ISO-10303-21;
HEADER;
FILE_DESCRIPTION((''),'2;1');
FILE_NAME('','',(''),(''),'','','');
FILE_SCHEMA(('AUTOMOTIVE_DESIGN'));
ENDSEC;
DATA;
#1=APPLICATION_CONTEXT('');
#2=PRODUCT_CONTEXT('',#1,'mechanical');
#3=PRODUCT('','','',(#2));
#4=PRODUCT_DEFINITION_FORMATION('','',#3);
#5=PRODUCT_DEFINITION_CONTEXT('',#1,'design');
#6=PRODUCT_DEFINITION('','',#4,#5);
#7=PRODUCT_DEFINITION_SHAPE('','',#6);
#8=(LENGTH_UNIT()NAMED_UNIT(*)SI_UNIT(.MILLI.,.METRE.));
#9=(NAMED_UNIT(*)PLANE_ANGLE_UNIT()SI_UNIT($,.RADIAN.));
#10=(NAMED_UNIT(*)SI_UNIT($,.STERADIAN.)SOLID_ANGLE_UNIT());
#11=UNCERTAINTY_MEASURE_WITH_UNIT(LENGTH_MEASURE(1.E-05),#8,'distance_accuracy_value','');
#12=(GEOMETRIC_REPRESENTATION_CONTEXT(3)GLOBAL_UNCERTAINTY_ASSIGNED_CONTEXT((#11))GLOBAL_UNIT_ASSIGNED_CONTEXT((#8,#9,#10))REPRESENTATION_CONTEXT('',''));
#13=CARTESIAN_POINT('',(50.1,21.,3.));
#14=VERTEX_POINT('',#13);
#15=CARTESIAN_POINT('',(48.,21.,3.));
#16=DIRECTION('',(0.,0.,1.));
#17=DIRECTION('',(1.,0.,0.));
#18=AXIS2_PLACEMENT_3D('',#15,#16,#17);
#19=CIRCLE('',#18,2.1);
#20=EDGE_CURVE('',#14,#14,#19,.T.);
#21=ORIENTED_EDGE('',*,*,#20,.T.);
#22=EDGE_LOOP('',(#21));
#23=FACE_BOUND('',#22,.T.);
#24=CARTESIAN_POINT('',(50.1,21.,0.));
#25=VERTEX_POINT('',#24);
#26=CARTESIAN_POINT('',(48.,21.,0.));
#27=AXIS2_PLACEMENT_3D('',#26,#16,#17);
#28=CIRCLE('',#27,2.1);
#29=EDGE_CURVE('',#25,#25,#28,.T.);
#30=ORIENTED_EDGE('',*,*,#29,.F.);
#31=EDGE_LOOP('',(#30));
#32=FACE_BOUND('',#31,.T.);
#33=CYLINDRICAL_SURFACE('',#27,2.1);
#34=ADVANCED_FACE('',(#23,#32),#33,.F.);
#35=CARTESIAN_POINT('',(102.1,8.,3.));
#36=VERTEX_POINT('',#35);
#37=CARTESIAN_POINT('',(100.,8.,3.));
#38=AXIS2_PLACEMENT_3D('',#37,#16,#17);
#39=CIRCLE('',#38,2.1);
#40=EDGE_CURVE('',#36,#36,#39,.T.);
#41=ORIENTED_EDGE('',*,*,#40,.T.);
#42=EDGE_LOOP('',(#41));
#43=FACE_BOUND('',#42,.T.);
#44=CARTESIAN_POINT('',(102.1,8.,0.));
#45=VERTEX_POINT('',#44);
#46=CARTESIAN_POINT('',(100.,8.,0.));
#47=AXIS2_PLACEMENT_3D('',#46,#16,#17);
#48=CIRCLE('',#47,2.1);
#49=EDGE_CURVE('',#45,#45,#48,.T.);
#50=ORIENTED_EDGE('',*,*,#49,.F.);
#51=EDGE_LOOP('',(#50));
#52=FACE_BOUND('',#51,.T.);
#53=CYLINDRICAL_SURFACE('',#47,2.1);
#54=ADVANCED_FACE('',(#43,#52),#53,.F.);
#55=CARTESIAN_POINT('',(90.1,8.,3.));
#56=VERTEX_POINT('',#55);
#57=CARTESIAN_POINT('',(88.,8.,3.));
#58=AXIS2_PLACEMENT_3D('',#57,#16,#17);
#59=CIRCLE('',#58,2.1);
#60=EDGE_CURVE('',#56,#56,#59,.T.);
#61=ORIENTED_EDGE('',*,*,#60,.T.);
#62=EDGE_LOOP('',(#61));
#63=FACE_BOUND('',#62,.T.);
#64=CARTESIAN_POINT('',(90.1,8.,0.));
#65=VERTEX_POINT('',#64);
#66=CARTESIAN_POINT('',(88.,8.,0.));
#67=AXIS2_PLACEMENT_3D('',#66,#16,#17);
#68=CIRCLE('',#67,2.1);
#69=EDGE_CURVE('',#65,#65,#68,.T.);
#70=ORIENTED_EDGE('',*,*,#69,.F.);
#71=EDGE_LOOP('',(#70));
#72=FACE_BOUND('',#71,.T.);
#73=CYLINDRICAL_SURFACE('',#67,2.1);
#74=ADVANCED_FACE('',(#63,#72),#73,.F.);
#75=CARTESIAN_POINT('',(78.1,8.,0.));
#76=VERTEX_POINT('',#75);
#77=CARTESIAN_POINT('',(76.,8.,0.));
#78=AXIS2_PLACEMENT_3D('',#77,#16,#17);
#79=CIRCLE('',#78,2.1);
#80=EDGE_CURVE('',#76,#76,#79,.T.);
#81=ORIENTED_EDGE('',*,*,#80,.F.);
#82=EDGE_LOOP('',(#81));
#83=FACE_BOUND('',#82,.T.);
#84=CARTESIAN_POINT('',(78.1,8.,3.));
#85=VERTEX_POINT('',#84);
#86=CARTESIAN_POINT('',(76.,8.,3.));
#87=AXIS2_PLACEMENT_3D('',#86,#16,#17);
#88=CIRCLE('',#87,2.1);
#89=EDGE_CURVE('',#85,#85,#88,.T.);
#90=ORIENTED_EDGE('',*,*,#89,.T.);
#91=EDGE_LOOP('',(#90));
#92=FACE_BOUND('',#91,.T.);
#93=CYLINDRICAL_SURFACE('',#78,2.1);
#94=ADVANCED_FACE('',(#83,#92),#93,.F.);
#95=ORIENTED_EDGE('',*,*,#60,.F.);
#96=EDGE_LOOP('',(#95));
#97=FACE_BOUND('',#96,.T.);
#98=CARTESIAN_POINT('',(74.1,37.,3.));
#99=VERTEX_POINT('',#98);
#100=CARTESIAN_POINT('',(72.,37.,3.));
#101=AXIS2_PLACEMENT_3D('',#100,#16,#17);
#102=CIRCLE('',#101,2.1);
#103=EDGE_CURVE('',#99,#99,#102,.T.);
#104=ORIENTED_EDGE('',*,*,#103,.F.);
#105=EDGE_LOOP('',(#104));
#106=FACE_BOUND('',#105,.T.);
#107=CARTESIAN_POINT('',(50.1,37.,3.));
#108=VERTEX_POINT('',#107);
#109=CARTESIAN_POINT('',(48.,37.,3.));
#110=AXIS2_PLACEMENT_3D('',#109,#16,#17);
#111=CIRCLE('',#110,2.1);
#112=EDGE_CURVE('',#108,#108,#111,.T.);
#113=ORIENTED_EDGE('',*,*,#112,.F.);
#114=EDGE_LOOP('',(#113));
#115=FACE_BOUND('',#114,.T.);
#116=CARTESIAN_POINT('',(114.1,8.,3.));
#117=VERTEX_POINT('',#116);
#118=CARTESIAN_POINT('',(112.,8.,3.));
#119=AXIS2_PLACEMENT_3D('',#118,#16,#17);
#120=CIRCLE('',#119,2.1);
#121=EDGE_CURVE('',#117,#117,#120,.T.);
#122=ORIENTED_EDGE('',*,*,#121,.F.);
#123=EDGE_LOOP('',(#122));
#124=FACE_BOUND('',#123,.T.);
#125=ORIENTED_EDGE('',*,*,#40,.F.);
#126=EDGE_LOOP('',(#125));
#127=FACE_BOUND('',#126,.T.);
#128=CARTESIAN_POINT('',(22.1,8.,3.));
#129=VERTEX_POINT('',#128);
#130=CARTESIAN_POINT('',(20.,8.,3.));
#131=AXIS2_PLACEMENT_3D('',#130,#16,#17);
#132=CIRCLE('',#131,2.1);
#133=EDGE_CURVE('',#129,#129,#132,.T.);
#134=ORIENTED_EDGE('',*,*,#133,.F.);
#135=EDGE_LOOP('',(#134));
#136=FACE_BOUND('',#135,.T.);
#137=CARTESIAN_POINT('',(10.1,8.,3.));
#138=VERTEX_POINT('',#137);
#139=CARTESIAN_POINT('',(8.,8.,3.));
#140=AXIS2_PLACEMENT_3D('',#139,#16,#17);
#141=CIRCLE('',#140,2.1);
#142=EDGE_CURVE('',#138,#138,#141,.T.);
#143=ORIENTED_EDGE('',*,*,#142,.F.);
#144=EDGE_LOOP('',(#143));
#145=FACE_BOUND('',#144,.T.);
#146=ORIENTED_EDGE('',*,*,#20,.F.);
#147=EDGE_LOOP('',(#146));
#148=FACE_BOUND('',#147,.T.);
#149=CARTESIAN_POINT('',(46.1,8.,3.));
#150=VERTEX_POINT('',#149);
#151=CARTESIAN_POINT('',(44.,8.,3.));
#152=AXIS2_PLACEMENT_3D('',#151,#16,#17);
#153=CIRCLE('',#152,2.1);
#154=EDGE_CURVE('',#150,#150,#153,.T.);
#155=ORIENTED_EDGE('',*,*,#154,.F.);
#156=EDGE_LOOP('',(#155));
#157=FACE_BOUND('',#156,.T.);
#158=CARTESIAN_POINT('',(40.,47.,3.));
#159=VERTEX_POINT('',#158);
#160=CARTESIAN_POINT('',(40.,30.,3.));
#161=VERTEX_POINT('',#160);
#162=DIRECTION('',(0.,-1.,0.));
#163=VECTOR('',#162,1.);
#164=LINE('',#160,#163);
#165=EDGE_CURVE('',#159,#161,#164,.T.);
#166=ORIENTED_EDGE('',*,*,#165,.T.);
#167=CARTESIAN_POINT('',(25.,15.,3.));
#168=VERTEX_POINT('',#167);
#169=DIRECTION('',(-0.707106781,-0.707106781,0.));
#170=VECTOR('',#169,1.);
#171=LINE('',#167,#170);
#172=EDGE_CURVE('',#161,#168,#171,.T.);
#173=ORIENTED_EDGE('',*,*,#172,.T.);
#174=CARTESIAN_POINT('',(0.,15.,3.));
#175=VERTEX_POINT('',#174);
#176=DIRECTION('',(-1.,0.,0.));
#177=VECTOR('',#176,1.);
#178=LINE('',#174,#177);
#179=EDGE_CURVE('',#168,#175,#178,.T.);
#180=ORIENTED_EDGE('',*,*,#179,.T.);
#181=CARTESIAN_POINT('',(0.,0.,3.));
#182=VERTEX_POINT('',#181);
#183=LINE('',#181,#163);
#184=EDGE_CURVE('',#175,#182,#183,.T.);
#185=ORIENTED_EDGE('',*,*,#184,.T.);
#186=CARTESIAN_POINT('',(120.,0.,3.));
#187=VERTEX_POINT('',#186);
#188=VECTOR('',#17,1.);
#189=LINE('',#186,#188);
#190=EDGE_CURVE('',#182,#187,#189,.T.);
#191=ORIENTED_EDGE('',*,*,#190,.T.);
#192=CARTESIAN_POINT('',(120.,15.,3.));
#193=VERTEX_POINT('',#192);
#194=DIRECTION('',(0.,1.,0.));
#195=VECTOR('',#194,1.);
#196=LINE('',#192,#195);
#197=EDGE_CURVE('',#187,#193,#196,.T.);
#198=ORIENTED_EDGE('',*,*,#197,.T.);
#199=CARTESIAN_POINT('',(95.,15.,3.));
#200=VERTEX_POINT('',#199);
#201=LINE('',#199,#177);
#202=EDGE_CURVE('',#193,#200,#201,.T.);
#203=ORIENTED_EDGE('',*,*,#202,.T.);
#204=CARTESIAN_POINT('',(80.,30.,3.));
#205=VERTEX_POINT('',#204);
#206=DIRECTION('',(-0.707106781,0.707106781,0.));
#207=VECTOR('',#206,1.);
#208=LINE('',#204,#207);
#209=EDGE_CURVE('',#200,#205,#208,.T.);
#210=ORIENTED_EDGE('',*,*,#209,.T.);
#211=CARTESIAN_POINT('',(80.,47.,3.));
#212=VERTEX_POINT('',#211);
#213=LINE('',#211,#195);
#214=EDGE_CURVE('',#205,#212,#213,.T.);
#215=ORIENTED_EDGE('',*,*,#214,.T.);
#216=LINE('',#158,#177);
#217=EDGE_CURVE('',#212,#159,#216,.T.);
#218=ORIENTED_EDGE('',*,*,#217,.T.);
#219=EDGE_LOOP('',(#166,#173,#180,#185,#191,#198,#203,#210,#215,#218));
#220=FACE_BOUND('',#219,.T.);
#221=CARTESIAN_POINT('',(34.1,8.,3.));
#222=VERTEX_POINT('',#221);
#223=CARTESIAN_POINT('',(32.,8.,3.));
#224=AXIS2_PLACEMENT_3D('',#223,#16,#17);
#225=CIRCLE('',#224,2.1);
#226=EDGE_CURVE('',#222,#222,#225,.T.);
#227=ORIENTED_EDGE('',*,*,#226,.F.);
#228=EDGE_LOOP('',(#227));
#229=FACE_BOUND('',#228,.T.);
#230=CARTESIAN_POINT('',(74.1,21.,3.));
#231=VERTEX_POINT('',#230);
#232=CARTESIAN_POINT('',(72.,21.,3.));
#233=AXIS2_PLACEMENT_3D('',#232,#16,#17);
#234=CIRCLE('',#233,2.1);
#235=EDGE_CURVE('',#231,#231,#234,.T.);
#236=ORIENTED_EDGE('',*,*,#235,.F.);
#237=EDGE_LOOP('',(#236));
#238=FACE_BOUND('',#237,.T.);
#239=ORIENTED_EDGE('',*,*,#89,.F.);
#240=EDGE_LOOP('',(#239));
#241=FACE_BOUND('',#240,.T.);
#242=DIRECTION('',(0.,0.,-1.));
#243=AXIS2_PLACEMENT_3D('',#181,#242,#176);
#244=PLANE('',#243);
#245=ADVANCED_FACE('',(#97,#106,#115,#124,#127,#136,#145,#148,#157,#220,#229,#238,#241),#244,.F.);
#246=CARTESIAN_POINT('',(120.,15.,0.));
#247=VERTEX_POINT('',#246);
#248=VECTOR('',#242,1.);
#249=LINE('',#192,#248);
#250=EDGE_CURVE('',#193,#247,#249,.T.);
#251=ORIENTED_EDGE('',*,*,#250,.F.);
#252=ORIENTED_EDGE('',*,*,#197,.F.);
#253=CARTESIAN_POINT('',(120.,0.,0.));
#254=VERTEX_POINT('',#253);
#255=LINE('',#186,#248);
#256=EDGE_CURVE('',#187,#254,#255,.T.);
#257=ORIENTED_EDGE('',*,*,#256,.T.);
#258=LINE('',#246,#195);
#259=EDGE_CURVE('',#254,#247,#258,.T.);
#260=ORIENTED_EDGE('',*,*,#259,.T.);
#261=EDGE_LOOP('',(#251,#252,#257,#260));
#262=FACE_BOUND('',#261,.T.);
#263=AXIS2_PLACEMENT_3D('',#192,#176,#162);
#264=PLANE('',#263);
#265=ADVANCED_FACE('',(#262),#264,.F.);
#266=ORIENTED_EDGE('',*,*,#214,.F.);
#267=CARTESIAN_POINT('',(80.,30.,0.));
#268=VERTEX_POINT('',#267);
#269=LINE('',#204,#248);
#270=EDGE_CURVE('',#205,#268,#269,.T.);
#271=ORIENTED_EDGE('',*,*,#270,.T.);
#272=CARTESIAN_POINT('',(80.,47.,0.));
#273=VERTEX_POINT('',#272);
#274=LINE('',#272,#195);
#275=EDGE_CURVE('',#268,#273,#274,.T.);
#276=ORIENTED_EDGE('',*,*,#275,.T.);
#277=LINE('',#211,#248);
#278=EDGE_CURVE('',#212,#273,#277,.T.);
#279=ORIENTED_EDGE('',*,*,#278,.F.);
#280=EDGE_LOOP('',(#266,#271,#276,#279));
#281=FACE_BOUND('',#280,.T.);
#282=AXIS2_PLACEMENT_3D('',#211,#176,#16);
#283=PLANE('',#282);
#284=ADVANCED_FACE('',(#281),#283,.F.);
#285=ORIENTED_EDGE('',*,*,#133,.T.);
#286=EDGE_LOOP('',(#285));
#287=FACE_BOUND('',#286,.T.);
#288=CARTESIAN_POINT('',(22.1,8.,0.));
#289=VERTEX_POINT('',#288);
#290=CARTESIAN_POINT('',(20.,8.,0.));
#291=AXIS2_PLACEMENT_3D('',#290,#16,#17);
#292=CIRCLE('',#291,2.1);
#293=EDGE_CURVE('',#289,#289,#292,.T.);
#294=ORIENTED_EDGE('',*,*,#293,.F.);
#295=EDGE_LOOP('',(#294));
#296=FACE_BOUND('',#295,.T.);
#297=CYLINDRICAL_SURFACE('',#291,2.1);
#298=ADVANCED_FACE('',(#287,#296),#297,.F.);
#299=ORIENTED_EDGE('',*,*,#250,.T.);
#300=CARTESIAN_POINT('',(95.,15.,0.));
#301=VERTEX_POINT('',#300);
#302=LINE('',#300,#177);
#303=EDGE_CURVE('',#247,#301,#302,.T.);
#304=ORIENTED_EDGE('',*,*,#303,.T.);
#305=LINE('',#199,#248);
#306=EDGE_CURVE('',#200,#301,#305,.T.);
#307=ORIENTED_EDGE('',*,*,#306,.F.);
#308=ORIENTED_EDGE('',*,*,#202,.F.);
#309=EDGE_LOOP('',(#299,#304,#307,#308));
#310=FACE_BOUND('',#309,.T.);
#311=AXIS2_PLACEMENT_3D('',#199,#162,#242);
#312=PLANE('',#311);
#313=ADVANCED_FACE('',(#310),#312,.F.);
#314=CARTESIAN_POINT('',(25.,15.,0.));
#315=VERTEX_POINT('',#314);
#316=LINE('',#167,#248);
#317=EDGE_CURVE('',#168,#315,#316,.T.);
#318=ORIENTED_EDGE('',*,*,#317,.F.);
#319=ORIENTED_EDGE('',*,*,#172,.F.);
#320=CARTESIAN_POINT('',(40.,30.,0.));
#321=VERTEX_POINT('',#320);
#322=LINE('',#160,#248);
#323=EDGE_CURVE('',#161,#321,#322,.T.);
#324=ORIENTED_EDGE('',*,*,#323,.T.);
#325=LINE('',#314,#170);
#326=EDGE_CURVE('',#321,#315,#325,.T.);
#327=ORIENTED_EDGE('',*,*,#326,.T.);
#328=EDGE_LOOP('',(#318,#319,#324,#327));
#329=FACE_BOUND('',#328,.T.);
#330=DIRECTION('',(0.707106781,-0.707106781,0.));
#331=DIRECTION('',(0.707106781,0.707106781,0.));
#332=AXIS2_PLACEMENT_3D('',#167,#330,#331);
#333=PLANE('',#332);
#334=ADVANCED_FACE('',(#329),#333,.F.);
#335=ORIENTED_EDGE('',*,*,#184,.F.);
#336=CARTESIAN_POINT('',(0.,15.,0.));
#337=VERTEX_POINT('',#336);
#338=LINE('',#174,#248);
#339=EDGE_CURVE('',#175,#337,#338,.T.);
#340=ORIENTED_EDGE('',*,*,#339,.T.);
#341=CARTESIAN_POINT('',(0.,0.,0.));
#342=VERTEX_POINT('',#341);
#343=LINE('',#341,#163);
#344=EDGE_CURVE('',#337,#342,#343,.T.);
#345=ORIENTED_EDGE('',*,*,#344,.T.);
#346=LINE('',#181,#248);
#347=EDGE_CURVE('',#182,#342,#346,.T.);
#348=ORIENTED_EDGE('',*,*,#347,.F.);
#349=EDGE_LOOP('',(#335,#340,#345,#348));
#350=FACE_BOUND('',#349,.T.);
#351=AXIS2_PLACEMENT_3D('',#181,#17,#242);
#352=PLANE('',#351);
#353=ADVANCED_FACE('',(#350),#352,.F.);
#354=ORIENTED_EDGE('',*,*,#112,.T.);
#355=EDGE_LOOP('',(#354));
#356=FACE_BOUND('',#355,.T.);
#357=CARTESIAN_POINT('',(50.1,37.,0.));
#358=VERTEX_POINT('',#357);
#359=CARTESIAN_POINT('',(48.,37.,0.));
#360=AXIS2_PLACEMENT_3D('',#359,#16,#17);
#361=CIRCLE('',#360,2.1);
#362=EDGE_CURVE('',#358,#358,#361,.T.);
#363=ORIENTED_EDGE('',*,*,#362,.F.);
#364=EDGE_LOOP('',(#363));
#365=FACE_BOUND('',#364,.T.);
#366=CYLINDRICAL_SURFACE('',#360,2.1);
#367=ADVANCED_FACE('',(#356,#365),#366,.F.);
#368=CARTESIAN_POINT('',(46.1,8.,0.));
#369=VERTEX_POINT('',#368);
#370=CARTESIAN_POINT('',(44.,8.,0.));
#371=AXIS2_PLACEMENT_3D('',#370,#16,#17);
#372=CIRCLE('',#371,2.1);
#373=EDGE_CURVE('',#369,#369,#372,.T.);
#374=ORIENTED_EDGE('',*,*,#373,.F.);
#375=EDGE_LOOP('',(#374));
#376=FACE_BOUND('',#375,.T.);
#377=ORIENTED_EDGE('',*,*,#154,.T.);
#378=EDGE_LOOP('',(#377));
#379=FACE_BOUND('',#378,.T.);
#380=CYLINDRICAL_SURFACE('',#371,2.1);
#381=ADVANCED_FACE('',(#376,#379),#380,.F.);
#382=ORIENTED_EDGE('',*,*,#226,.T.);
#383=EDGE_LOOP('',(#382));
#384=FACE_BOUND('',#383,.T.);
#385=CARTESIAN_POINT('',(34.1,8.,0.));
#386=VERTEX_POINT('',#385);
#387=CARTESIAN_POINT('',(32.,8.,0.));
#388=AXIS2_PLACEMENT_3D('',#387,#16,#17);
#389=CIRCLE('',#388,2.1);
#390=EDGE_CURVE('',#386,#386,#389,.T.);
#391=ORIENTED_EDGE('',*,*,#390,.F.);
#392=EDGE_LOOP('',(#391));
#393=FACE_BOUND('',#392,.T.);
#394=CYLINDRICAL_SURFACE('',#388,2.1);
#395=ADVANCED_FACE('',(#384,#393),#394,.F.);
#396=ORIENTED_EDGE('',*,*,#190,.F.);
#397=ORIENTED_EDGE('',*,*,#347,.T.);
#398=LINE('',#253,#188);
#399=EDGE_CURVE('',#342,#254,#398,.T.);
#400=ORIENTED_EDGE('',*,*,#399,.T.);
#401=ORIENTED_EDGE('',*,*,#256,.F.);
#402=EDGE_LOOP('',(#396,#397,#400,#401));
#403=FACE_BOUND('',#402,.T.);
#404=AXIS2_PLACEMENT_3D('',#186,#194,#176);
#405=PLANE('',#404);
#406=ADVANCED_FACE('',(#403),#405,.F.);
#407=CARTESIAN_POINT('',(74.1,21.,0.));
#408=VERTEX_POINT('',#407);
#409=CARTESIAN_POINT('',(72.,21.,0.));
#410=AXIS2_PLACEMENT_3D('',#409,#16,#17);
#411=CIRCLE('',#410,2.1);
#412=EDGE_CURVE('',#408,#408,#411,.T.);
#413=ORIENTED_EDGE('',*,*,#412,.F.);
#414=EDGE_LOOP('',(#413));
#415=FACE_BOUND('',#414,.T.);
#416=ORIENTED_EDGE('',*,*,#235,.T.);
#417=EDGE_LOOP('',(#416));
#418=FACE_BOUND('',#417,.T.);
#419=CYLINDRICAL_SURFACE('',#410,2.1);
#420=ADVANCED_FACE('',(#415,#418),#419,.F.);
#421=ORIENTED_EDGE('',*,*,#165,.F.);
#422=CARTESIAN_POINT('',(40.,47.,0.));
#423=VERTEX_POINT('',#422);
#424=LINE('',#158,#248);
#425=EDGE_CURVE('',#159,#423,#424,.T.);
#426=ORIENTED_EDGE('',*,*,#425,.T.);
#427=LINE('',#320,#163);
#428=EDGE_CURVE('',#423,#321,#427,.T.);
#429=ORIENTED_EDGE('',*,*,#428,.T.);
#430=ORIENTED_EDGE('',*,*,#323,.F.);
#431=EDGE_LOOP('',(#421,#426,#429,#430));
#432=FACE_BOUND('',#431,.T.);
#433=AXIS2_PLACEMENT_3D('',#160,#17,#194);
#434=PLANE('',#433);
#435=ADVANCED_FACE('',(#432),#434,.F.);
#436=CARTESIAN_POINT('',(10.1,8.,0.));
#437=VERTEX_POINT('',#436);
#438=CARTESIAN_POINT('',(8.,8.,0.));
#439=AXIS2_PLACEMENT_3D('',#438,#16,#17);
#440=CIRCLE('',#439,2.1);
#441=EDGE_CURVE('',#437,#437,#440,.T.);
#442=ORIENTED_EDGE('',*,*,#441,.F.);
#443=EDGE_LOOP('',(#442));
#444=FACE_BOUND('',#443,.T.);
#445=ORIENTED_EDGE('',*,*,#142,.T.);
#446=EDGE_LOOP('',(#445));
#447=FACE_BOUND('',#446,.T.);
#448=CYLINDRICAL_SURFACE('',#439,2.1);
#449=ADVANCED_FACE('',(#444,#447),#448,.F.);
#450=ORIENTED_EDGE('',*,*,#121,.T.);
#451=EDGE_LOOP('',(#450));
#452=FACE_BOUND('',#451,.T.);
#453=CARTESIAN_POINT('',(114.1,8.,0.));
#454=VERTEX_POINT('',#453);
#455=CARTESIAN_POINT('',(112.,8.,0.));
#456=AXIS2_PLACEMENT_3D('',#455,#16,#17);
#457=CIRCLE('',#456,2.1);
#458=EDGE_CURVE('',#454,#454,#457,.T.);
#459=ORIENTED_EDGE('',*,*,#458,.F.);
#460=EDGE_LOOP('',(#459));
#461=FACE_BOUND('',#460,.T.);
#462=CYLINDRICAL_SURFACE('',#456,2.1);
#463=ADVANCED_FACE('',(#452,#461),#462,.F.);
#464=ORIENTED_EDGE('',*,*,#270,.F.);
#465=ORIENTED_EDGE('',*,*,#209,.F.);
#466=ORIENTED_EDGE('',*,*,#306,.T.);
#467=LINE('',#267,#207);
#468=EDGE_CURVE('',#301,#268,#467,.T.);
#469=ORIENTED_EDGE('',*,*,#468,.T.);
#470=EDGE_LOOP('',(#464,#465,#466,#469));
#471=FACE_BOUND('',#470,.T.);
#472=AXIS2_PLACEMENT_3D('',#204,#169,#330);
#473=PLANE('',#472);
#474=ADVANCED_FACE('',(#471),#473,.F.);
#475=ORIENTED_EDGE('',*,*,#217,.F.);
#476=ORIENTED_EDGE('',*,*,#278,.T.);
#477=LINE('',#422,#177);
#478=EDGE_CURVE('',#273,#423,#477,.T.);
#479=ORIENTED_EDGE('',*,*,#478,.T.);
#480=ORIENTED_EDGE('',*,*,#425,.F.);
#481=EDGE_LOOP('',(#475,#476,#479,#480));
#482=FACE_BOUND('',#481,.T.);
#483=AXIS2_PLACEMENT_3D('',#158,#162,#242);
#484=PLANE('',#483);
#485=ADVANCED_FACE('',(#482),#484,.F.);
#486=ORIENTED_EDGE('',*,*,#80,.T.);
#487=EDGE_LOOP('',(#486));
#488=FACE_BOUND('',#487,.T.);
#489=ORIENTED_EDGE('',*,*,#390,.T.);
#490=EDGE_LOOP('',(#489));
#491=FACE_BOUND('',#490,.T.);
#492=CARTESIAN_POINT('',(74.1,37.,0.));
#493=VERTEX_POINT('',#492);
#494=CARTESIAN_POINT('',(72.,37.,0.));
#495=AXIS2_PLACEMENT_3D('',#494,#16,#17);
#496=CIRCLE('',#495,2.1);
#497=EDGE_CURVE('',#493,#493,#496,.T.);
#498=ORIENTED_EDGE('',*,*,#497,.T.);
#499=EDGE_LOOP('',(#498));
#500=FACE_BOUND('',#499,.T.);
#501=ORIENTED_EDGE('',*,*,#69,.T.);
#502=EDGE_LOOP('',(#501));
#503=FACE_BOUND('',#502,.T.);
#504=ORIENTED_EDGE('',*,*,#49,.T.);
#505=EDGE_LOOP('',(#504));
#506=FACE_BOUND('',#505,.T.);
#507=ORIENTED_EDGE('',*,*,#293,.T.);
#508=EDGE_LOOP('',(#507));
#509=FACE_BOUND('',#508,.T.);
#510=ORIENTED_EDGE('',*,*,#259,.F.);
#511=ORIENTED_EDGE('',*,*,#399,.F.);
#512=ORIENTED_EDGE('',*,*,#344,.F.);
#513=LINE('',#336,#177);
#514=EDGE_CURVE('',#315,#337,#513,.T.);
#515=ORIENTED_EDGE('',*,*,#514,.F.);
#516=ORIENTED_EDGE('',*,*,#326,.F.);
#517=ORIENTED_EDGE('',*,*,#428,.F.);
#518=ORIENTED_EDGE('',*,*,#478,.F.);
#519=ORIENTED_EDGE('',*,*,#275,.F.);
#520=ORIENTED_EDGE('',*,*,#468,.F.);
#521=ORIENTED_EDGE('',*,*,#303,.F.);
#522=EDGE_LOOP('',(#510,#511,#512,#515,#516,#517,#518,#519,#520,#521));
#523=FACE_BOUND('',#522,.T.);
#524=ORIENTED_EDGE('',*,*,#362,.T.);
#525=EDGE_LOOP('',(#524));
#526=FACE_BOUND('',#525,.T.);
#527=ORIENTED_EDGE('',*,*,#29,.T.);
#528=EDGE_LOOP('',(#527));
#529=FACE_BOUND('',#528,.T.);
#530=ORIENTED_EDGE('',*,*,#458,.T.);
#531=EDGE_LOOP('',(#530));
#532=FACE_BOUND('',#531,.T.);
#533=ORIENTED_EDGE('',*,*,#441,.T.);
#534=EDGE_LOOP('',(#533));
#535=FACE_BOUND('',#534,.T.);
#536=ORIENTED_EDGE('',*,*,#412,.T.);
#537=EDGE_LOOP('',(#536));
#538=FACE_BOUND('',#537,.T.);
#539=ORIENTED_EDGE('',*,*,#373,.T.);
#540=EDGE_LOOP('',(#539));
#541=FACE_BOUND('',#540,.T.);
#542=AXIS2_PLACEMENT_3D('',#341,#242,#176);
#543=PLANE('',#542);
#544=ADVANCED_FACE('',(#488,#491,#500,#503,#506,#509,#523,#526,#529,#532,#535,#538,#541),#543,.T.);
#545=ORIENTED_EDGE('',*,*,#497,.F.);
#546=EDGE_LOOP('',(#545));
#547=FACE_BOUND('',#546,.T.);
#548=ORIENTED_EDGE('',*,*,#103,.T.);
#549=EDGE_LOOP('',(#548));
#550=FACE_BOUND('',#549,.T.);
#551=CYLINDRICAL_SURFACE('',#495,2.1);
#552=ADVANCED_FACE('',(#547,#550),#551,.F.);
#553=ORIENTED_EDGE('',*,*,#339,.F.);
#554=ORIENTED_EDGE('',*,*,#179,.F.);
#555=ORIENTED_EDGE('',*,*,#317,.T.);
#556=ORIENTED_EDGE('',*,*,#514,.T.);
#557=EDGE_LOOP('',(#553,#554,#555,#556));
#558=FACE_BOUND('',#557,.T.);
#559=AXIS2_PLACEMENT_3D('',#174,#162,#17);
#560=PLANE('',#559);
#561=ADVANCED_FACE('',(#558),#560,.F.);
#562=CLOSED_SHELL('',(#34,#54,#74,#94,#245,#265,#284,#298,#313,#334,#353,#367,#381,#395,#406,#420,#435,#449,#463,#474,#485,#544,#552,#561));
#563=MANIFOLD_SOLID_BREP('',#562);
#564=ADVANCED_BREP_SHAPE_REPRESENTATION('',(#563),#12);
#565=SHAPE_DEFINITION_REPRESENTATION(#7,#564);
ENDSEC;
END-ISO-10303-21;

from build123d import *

# Parameters (mm, degrees)
EXTRUDE_1_DEPTH     = 3
SKETCH_2_R          = 2.1
CUT_EXTRUDE_1_DEPTH = 129.910821889


with BuildPart() as part:
    # 草图1 → 凸台-拉伸1 (new body)
    with BuildSketch(Plane.XY):
        Polygon((0, 0), (0, 15), (25, 15), (40, 30), (40, 47), (80, 47), (80, 30), (95, 15), (120, 15), (120, 0), align=None)
    extrude(amount=EXTRUDE_1_DEPTH)

    # 草图2 → 切除-拉伸1 (cut, through all)
    with BuildSketch(Plane.XY.offset(3)):
        with Locations((48, 37)):
            Circle(SKETCH_2_R)
        with Locations((72, 37)):
            Circle(SKETCH_2_R)
        with Locations((48, 21)):
            Circle(SKETCH_2_R)
        with Locations((72, 21)):
            Circle(SKETCH_2_R)
        with Locations((112, 8)):
            Circle(SKETCH_2_R)
        with Locations((76, 8)):
            Circle(SKETCH_2_R)
        with Locations((88, 8)):
            Circle(SKETCH_2_R)
        with Locations((8, 8)):
            Circle(SKETCH_2_R)
        with Locations((20, 8)):
            Circle(SKETCH_2_R)
        with Locations((100, 8)):
            Circle(SKETCH_2_R)
        with Locations((32, 8)):
            Circle(SKETCH_2_R)
        with Locations((44, 8)):
            Circle(SKETCH_2_R)
        with Locations((432, 8)):
            Circle(SKETCH_2_R)
        with Locations((444, 8)):
            Circle(SKETCH_2_R)
        with Locations((524, 8)):
            Circle(SKETCH_2_R)
        with Locations((536, 8)):
            Circle(SKETCH_2_R)
        with Locations((456, 8)):
            Circle(SKETCH_2_R)
        with Locations((468, 8)):
            Circle(SKETCH_2_R)
        with Locations((500, 8)):
            Circle(SKETCH_2_R)
        with Locations((512, 8)):
            Circle(SKETCH_2_R)
    extrude(amount=-CUT_EXTRUDE_1_DEPTH, mode=Mode.SUBTRACT)


solid = part.part
